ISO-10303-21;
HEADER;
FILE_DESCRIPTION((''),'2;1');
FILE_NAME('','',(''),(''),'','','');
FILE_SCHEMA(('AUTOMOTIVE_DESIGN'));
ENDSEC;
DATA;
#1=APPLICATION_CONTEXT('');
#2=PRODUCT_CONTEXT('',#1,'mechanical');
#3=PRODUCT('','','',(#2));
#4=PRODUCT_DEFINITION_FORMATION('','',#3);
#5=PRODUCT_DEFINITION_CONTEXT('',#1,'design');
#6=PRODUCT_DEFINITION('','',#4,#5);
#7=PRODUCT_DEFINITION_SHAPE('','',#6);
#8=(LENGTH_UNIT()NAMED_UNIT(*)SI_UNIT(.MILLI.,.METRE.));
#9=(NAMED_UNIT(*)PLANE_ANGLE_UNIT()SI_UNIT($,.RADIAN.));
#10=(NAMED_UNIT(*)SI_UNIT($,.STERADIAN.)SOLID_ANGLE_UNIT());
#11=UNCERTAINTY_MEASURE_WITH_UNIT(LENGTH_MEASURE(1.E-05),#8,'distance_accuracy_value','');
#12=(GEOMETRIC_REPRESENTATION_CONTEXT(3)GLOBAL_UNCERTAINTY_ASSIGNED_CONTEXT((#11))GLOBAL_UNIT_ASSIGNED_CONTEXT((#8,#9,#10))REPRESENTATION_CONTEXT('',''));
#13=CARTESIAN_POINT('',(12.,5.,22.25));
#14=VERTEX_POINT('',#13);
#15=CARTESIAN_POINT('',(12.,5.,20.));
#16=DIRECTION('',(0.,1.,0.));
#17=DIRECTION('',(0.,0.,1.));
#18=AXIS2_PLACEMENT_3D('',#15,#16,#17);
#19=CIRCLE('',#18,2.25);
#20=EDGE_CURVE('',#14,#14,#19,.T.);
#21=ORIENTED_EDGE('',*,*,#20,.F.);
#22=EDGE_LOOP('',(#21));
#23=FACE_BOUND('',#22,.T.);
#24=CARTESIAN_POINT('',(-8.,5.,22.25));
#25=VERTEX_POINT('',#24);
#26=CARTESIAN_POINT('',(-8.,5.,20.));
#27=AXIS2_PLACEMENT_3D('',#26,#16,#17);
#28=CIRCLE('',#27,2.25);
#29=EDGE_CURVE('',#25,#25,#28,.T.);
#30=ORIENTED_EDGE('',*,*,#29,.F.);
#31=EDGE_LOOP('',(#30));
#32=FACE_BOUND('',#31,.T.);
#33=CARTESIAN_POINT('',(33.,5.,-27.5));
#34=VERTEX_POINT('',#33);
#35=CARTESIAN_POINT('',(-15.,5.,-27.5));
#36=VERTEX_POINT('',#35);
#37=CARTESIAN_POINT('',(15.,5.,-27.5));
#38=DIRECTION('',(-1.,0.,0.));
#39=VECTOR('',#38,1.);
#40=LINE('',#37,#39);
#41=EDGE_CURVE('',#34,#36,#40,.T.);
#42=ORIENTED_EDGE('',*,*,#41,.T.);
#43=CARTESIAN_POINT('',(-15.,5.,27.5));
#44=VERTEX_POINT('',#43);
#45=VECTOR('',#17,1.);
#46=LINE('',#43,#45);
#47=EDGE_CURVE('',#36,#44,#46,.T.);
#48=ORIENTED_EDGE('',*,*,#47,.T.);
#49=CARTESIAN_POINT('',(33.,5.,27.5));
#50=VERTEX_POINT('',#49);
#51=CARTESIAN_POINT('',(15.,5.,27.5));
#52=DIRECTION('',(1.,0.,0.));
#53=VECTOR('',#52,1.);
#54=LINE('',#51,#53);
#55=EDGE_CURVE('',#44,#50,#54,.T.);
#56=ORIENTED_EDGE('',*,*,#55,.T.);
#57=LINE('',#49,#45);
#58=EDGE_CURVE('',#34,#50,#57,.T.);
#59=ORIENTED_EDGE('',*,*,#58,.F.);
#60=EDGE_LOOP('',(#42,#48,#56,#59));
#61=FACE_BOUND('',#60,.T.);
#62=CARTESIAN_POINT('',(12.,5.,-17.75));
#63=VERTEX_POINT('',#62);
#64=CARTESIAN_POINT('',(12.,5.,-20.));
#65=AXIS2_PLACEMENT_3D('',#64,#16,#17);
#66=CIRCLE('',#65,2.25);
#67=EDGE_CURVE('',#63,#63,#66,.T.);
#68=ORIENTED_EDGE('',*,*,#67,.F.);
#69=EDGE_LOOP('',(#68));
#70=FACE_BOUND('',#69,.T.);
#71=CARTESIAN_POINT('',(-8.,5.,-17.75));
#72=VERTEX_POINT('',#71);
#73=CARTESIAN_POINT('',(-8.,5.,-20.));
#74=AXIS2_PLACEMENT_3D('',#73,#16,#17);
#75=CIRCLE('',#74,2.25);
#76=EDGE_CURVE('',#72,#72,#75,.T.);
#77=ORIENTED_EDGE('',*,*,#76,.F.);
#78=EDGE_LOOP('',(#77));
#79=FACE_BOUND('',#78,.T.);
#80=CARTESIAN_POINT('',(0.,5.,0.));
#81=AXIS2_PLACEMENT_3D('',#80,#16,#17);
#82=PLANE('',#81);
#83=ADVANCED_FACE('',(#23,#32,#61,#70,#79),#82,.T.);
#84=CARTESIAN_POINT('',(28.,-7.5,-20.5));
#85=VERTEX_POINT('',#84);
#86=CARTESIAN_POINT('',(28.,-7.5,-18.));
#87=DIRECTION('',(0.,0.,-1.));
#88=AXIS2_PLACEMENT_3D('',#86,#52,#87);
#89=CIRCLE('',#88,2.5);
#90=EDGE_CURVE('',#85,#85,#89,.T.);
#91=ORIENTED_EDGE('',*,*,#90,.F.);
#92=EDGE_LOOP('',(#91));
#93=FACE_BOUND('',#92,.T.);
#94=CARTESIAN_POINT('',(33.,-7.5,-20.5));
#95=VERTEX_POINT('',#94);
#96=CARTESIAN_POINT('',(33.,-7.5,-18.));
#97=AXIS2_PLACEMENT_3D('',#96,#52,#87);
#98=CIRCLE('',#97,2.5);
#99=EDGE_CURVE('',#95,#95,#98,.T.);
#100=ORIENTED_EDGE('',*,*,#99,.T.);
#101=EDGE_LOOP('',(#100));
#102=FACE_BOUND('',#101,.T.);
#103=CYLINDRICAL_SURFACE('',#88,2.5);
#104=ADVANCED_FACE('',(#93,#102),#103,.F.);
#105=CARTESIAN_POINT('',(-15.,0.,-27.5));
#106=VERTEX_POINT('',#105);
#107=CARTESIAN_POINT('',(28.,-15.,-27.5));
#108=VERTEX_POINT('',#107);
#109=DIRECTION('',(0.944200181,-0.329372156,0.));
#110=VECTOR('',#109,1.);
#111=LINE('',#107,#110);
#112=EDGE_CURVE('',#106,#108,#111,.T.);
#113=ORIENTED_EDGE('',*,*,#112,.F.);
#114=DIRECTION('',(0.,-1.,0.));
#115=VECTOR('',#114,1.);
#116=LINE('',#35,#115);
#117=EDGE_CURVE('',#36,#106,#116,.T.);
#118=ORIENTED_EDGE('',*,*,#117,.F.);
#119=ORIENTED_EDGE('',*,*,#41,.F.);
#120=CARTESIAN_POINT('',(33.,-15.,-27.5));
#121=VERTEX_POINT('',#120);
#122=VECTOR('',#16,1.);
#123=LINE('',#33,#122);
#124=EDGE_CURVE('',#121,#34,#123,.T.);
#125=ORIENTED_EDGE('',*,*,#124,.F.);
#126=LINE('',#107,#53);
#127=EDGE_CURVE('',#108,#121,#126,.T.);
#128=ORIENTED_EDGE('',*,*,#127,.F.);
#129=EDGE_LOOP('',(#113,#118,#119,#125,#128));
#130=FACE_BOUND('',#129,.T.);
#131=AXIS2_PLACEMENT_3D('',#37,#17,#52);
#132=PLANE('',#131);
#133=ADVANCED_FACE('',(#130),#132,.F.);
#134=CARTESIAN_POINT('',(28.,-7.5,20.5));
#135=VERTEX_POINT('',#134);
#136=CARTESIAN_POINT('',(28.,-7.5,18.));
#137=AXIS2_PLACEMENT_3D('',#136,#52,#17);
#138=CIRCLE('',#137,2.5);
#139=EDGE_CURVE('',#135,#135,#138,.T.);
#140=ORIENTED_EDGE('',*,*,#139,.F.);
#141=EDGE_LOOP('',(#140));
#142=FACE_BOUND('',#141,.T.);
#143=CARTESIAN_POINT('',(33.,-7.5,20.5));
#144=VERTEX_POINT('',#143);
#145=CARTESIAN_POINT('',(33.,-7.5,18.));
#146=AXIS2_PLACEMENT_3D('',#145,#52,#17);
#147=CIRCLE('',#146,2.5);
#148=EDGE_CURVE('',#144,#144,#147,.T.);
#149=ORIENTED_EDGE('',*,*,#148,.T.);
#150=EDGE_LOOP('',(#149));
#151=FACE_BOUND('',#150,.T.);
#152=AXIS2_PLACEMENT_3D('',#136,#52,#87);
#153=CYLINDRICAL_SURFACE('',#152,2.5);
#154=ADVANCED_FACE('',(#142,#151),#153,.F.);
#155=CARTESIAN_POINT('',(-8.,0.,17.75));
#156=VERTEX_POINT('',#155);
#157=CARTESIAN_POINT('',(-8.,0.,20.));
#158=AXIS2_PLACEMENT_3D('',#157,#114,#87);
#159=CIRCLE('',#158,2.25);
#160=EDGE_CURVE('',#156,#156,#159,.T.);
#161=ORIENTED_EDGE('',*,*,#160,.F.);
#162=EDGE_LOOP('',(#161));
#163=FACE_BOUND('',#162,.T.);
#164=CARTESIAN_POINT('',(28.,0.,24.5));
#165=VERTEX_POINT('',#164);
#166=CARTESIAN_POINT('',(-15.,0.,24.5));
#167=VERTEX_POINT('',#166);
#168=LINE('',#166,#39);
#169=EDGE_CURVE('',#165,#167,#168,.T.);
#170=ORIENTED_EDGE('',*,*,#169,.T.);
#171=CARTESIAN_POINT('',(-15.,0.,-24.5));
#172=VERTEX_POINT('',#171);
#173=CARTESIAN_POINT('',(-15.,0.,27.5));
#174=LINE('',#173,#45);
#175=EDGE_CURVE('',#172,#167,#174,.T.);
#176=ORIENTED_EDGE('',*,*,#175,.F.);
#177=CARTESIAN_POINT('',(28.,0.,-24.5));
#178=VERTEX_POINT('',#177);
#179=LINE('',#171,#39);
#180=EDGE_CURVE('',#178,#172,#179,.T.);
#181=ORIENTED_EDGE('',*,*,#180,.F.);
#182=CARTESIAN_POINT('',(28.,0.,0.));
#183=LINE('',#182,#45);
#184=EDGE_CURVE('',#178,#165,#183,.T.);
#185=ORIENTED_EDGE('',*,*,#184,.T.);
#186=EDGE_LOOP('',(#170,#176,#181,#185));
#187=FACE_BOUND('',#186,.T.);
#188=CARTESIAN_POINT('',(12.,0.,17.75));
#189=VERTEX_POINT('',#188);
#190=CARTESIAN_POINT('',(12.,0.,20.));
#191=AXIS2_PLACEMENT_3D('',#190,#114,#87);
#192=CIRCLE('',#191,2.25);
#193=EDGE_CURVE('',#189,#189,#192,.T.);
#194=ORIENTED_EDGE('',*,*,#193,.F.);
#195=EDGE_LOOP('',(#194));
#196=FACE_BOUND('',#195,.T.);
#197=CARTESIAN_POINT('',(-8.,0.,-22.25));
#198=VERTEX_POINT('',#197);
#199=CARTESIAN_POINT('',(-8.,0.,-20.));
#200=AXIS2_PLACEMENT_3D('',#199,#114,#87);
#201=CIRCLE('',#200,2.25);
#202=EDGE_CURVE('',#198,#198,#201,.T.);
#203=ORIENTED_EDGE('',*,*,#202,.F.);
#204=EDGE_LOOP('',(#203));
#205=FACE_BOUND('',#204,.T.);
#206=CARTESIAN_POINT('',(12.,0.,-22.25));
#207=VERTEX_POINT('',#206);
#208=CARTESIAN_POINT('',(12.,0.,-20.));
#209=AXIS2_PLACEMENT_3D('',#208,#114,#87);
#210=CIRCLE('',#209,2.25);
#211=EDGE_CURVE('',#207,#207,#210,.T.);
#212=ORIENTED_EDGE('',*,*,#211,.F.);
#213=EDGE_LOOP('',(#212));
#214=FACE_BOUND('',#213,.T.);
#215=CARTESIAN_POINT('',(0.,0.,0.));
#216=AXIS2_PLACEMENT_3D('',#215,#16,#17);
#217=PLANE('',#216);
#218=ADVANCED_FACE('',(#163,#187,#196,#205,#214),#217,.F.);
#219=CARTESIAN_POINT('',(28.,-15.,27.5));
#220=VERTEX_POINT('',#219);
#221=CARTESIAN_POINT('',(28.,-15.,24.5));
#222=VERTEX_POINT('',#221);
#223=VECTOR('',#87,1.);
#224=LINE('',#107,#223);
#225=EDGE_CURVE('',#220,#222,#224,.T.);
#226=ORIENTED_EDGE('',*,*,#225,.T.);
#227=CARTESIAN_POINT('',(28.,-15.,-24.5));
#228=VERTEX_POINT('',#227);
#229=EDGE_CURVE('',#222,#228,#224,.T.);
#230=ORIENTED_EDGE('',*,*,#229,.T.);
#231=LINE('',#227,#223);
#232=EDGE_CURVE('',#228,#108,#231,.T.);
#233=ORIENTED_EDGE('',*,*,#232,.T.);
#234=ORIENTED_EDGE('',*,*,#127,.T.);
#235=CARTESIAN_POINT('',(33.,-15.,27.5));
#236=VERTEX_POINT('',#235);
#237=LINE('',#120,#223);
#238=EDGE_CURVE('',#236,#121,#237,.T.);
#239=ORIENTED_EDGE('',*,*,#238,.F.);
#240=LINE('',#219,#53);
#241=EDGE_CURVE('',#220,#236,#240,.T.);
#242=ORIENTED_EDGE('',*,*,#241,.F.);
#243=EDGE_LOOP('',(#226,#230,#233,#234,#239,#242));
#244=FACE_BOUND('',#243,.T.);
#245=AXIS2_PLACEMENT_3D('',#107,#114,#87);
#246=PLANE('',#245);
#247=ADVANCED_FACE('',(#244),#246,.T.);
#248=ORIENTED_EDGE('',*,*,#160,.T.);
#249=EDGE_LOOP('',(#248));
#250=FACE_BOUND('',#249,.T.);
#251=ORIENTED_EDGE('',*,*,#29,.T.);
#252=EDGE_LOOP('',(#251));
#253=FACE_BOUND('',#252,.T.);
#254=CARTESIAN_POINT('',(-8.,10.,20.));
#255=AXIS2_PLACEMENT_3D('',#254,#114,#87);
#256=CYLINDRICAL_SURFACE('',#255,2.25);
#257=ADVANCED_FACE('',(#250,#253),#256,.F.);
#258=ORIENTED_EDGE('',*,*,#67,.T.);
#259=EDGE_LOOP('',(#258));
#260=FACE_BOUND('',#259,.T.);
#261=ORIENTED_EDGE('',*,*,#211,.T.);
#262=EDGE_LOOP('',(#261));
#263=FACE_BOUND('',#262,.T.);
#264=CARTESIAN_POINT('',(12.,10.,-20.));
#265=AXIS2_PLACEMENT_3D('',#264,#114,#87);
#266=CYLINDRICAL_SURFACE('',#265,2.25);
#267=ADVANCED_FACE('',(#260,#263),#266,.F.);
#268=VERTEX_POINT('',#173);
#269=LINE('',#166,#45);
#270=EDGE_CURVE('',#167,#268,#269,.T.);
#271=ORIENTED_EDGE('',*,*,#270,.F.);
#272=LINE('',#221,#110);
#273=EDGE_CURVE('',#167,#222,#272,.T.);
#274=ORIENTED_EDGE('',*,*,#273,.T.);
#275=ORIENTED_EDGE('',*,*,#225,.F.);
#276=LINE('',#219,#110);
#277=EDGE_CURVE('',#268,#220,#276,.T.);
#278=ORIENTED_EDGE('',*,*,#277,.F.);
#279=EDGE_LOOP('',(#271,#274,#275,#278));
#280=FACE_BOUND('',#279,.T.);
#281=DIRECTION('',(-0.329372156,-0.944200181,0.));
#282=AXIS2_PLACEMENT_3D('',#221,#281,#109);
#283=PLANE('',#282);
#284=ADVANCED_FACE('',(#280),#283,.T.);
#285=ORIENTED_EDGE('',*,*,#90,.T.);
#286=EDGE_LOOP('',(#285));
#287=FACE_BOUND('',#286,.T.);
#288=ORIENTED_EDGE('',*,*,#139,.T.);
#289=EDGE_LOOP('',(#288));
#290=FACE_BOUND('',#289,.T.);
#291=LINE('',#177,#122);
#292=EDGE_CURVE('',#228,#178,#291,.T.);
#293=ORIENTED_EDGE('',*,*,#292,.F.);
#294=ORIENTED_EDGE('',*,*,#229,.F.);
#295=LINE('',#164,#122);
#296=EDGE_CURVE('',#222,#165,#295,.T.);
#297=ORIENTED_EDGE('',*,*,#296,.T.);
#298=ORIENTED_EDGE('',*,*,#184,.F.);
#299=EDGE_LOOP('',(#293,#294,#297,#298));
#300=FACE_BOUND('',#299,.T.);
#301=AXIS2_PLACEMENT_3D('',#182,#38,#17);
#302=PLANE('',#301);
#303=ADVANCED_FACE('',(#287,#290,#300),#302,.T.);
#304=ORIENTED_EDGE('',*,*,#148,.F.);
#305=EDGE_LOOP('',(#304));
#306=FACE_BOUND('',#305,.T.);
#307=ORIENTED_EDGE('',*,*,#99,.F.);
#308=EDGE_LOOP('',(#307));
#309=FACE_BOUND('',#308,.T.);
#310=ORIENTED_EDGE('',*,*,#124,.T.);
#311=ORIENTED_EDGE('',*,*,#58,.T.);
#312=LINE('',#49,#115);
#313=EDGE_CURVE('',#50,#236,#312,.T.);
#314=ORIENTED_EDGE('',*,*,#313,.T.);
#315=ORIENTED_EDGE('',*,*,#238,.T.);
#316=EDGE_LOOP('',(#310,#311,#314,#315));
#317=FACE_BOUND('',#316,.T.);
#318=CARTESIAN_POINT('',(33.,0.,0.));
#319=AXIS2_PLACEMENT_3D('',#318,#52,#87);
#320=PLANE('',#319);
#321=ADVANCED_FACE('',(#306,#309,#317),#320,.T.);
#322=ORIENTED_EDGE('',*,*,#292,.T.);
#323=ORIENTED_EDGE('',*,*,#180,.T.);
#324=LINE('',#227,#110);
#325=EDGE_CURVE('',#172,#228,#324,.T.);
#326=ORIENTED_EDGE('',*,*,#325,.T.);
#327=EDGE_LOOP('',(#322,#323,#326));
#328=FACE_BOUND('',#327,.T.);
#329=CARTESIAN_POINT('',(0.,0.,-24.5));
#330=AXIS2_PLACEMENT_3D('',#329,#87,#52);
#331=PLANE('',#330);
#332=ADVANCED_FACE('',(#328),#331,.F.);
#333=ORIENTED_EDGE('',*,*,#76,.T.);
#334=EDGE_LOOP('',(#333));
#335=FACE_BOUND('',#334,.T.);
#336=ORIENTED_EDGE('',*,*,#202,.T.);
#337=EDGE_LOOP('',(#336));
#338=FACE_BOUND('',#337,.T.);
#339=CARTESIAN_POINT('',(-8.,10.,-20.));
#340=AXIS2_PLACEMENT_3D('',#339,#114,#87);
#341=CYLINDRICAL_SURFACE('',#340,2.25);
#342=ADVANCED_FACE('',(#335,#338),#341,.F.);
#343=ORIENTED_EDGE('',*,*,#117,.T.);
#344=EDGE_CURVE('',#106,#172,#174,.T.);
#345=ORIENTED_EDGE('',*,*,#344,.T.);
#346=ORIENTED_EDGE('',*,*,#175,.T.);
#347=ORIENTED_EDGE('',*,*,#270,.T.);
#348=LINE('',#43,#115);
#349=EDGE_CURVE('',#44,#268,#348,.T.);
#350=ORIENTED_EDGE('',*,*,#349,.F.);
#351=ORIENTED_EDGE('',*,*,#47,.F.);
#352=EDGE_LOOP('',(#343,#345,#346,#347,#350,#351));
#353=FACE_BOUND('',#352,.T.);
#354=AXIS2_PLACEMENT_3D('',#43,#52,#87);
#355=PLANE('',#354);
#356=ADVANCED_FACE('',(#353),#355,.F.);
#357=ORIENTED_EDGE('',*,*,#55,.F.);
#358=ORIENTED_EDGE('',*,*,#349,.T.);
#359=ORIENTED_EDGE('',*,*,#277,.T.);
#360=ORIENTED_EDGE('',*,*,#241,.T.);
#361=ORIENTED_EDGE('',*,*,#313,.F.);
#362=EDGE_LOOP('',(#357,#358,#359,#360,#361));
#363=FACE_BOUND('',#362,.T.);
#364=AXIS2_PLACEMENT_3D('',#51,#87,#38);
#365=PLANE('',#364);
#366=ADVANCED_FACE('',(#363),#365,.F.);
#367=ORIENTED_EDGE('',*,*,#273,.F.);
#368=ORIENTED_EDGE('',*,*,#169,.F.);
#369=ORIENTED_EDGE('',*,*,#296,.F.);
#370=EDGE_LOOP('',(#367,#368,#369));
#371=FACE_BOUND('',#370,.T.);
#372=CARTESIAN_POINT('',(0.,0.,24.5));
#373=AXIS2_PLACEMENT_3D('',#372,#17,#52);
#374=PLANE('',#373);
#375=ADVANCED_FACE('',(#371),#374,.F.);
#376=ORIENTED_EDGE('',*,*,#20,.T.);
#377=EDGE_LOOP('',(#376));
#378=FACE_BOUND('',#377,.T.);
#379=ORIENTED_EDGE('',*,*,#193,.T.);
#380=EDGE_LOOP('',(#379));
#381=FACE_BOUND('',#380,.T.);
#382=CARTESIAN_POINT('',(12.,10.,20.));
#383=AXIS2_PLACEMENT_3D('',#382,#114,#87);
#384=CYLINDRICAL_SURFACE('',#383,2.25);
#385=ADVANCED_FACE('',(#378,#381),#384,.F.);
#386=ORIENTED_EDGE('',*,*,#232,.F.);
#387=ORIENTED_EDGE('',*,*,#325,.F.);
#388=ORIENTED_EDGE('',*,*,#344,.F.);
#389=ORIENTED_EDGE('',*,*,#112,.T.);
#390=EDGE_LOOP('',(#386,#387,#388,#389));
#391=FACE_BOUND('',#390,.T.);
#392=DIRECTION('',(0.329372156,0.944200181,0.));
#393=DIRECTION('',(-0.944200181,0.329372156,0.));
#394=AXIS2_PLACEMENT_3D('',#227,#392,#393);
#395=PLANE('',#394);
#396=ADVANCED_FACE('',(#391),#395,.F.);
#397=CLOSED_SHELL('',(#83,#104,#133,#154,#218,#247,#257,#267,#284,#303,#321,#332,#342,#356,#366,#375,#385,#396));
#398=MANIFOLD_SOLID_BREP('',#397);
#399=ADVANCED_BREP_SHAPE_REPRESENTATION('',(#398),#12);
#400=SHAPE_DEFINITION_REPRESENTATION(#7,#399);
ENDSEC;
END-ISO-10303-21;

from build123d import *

# Parameters (mm, degrees)
SKETCH1_W           = 30
SKETCH1_H           = 55
BOSS_EXTRUDE1_DEPTH = 5
SKETCH4_W           = 55
SKETCH4_H           = 5
BOSS_EXTRUDE2_DEPTH = 18
SKETCH5_W           = 55
SKETCH5_H           = 20
BOSS_EXTRUDE3_DEPTH = 5
SKETCH6_R           = 2.5
CUT_EXTRUDE3_DEPTH  = 5
BOSS_EXTRUDE4_DEPTH = 3
SKETCH8_R           = 2.25
CUT_EXTRUDE4_DEPTH  = 10


with BuildPart() as part:
    # Sketch1 → Boss-Extrude1 (new body)
    with BuildSketch(Plane(origin=(0, 0, 0), x_dir=(1, 0, 0), z_dir=(0, 1, 0))):
        Rectangle(SKETCH1_W, SKETCH1_H)
    extrude(amount=BOSS_EXTRUDE1_DEPTH)

    # Sketch4 → Boss-Extrude2 (add)
    with BuildSketch(Plane(origin=(15, 0, 0), x_dir=(0, 0, -1), z_dir=(1, 0, 0))):
        with Locations((0, 2.5)):
            Rectangle(SKETCH4_W, SKETCH4_H)
    extrude(amount=BOSS_EXTRUDE2_DEPTH)

    # Sketch5 → Boss-Extrude3 (add)
    with BuildSketch(Plane(origin=(33, 0, 0), x_dir=(0, 0, -1), z_dir=(1, 0, 0))):
        with Locations((0, -5)):
            Rectangle(SKETCH5_W, SKETCH5_H)
    extrude(amount=-BOSS_EXTRUDE3_DEPTH)

    # Sketch6 → Cut-Extrude3 (cut)
    with BuildSketch(Plane(origin=(33, 0, 0), x_dir=(0, 0, -1), z_dir=(1, 0, 0))):
        with Locations((18, -7.5)):
            Circle(SKETCH6_R)
        with Locations((-18, -7.5)):
            Circle(SKETCH6_R)
    extrude(amount=-CUT_EXTRUDE3_DEPTH, mode=Mode.SUBTRACT)

    # Sketch7 → Boss-Extrude4 (add)
    with BuildSketch(Plane.XY.offset(27.5)):
        Polygon((28, -15), (-15, 0), (28, 0), align=None)
    boss_extrude4 = extrude(amount=-BOSS_EXTRUDE4_DEPTH)

    # Mirror1: Boss-Extrude4 across plane
    add(boss_extrude4.mirror(Plane.XY))

    # Sketch8 → Cut-Extrude4 (cut)
    with BuildSketch(Plane.XZ):
        with Locations((-8, 20)):
            Circle(SKETCH8_R)
        with Locations((-8, -20)):
            Circle(SKETCH8_R)
        with Locations((12, 20)):
            Circle(SKETCH8_R)
        with Locations((12, -20)):
            Circle(SKETCH8_R)
    extrude(amount=-CUT_EXTRUDE4_DEPTH, mode=Mode.SUBTRACT)


solid = part.part
